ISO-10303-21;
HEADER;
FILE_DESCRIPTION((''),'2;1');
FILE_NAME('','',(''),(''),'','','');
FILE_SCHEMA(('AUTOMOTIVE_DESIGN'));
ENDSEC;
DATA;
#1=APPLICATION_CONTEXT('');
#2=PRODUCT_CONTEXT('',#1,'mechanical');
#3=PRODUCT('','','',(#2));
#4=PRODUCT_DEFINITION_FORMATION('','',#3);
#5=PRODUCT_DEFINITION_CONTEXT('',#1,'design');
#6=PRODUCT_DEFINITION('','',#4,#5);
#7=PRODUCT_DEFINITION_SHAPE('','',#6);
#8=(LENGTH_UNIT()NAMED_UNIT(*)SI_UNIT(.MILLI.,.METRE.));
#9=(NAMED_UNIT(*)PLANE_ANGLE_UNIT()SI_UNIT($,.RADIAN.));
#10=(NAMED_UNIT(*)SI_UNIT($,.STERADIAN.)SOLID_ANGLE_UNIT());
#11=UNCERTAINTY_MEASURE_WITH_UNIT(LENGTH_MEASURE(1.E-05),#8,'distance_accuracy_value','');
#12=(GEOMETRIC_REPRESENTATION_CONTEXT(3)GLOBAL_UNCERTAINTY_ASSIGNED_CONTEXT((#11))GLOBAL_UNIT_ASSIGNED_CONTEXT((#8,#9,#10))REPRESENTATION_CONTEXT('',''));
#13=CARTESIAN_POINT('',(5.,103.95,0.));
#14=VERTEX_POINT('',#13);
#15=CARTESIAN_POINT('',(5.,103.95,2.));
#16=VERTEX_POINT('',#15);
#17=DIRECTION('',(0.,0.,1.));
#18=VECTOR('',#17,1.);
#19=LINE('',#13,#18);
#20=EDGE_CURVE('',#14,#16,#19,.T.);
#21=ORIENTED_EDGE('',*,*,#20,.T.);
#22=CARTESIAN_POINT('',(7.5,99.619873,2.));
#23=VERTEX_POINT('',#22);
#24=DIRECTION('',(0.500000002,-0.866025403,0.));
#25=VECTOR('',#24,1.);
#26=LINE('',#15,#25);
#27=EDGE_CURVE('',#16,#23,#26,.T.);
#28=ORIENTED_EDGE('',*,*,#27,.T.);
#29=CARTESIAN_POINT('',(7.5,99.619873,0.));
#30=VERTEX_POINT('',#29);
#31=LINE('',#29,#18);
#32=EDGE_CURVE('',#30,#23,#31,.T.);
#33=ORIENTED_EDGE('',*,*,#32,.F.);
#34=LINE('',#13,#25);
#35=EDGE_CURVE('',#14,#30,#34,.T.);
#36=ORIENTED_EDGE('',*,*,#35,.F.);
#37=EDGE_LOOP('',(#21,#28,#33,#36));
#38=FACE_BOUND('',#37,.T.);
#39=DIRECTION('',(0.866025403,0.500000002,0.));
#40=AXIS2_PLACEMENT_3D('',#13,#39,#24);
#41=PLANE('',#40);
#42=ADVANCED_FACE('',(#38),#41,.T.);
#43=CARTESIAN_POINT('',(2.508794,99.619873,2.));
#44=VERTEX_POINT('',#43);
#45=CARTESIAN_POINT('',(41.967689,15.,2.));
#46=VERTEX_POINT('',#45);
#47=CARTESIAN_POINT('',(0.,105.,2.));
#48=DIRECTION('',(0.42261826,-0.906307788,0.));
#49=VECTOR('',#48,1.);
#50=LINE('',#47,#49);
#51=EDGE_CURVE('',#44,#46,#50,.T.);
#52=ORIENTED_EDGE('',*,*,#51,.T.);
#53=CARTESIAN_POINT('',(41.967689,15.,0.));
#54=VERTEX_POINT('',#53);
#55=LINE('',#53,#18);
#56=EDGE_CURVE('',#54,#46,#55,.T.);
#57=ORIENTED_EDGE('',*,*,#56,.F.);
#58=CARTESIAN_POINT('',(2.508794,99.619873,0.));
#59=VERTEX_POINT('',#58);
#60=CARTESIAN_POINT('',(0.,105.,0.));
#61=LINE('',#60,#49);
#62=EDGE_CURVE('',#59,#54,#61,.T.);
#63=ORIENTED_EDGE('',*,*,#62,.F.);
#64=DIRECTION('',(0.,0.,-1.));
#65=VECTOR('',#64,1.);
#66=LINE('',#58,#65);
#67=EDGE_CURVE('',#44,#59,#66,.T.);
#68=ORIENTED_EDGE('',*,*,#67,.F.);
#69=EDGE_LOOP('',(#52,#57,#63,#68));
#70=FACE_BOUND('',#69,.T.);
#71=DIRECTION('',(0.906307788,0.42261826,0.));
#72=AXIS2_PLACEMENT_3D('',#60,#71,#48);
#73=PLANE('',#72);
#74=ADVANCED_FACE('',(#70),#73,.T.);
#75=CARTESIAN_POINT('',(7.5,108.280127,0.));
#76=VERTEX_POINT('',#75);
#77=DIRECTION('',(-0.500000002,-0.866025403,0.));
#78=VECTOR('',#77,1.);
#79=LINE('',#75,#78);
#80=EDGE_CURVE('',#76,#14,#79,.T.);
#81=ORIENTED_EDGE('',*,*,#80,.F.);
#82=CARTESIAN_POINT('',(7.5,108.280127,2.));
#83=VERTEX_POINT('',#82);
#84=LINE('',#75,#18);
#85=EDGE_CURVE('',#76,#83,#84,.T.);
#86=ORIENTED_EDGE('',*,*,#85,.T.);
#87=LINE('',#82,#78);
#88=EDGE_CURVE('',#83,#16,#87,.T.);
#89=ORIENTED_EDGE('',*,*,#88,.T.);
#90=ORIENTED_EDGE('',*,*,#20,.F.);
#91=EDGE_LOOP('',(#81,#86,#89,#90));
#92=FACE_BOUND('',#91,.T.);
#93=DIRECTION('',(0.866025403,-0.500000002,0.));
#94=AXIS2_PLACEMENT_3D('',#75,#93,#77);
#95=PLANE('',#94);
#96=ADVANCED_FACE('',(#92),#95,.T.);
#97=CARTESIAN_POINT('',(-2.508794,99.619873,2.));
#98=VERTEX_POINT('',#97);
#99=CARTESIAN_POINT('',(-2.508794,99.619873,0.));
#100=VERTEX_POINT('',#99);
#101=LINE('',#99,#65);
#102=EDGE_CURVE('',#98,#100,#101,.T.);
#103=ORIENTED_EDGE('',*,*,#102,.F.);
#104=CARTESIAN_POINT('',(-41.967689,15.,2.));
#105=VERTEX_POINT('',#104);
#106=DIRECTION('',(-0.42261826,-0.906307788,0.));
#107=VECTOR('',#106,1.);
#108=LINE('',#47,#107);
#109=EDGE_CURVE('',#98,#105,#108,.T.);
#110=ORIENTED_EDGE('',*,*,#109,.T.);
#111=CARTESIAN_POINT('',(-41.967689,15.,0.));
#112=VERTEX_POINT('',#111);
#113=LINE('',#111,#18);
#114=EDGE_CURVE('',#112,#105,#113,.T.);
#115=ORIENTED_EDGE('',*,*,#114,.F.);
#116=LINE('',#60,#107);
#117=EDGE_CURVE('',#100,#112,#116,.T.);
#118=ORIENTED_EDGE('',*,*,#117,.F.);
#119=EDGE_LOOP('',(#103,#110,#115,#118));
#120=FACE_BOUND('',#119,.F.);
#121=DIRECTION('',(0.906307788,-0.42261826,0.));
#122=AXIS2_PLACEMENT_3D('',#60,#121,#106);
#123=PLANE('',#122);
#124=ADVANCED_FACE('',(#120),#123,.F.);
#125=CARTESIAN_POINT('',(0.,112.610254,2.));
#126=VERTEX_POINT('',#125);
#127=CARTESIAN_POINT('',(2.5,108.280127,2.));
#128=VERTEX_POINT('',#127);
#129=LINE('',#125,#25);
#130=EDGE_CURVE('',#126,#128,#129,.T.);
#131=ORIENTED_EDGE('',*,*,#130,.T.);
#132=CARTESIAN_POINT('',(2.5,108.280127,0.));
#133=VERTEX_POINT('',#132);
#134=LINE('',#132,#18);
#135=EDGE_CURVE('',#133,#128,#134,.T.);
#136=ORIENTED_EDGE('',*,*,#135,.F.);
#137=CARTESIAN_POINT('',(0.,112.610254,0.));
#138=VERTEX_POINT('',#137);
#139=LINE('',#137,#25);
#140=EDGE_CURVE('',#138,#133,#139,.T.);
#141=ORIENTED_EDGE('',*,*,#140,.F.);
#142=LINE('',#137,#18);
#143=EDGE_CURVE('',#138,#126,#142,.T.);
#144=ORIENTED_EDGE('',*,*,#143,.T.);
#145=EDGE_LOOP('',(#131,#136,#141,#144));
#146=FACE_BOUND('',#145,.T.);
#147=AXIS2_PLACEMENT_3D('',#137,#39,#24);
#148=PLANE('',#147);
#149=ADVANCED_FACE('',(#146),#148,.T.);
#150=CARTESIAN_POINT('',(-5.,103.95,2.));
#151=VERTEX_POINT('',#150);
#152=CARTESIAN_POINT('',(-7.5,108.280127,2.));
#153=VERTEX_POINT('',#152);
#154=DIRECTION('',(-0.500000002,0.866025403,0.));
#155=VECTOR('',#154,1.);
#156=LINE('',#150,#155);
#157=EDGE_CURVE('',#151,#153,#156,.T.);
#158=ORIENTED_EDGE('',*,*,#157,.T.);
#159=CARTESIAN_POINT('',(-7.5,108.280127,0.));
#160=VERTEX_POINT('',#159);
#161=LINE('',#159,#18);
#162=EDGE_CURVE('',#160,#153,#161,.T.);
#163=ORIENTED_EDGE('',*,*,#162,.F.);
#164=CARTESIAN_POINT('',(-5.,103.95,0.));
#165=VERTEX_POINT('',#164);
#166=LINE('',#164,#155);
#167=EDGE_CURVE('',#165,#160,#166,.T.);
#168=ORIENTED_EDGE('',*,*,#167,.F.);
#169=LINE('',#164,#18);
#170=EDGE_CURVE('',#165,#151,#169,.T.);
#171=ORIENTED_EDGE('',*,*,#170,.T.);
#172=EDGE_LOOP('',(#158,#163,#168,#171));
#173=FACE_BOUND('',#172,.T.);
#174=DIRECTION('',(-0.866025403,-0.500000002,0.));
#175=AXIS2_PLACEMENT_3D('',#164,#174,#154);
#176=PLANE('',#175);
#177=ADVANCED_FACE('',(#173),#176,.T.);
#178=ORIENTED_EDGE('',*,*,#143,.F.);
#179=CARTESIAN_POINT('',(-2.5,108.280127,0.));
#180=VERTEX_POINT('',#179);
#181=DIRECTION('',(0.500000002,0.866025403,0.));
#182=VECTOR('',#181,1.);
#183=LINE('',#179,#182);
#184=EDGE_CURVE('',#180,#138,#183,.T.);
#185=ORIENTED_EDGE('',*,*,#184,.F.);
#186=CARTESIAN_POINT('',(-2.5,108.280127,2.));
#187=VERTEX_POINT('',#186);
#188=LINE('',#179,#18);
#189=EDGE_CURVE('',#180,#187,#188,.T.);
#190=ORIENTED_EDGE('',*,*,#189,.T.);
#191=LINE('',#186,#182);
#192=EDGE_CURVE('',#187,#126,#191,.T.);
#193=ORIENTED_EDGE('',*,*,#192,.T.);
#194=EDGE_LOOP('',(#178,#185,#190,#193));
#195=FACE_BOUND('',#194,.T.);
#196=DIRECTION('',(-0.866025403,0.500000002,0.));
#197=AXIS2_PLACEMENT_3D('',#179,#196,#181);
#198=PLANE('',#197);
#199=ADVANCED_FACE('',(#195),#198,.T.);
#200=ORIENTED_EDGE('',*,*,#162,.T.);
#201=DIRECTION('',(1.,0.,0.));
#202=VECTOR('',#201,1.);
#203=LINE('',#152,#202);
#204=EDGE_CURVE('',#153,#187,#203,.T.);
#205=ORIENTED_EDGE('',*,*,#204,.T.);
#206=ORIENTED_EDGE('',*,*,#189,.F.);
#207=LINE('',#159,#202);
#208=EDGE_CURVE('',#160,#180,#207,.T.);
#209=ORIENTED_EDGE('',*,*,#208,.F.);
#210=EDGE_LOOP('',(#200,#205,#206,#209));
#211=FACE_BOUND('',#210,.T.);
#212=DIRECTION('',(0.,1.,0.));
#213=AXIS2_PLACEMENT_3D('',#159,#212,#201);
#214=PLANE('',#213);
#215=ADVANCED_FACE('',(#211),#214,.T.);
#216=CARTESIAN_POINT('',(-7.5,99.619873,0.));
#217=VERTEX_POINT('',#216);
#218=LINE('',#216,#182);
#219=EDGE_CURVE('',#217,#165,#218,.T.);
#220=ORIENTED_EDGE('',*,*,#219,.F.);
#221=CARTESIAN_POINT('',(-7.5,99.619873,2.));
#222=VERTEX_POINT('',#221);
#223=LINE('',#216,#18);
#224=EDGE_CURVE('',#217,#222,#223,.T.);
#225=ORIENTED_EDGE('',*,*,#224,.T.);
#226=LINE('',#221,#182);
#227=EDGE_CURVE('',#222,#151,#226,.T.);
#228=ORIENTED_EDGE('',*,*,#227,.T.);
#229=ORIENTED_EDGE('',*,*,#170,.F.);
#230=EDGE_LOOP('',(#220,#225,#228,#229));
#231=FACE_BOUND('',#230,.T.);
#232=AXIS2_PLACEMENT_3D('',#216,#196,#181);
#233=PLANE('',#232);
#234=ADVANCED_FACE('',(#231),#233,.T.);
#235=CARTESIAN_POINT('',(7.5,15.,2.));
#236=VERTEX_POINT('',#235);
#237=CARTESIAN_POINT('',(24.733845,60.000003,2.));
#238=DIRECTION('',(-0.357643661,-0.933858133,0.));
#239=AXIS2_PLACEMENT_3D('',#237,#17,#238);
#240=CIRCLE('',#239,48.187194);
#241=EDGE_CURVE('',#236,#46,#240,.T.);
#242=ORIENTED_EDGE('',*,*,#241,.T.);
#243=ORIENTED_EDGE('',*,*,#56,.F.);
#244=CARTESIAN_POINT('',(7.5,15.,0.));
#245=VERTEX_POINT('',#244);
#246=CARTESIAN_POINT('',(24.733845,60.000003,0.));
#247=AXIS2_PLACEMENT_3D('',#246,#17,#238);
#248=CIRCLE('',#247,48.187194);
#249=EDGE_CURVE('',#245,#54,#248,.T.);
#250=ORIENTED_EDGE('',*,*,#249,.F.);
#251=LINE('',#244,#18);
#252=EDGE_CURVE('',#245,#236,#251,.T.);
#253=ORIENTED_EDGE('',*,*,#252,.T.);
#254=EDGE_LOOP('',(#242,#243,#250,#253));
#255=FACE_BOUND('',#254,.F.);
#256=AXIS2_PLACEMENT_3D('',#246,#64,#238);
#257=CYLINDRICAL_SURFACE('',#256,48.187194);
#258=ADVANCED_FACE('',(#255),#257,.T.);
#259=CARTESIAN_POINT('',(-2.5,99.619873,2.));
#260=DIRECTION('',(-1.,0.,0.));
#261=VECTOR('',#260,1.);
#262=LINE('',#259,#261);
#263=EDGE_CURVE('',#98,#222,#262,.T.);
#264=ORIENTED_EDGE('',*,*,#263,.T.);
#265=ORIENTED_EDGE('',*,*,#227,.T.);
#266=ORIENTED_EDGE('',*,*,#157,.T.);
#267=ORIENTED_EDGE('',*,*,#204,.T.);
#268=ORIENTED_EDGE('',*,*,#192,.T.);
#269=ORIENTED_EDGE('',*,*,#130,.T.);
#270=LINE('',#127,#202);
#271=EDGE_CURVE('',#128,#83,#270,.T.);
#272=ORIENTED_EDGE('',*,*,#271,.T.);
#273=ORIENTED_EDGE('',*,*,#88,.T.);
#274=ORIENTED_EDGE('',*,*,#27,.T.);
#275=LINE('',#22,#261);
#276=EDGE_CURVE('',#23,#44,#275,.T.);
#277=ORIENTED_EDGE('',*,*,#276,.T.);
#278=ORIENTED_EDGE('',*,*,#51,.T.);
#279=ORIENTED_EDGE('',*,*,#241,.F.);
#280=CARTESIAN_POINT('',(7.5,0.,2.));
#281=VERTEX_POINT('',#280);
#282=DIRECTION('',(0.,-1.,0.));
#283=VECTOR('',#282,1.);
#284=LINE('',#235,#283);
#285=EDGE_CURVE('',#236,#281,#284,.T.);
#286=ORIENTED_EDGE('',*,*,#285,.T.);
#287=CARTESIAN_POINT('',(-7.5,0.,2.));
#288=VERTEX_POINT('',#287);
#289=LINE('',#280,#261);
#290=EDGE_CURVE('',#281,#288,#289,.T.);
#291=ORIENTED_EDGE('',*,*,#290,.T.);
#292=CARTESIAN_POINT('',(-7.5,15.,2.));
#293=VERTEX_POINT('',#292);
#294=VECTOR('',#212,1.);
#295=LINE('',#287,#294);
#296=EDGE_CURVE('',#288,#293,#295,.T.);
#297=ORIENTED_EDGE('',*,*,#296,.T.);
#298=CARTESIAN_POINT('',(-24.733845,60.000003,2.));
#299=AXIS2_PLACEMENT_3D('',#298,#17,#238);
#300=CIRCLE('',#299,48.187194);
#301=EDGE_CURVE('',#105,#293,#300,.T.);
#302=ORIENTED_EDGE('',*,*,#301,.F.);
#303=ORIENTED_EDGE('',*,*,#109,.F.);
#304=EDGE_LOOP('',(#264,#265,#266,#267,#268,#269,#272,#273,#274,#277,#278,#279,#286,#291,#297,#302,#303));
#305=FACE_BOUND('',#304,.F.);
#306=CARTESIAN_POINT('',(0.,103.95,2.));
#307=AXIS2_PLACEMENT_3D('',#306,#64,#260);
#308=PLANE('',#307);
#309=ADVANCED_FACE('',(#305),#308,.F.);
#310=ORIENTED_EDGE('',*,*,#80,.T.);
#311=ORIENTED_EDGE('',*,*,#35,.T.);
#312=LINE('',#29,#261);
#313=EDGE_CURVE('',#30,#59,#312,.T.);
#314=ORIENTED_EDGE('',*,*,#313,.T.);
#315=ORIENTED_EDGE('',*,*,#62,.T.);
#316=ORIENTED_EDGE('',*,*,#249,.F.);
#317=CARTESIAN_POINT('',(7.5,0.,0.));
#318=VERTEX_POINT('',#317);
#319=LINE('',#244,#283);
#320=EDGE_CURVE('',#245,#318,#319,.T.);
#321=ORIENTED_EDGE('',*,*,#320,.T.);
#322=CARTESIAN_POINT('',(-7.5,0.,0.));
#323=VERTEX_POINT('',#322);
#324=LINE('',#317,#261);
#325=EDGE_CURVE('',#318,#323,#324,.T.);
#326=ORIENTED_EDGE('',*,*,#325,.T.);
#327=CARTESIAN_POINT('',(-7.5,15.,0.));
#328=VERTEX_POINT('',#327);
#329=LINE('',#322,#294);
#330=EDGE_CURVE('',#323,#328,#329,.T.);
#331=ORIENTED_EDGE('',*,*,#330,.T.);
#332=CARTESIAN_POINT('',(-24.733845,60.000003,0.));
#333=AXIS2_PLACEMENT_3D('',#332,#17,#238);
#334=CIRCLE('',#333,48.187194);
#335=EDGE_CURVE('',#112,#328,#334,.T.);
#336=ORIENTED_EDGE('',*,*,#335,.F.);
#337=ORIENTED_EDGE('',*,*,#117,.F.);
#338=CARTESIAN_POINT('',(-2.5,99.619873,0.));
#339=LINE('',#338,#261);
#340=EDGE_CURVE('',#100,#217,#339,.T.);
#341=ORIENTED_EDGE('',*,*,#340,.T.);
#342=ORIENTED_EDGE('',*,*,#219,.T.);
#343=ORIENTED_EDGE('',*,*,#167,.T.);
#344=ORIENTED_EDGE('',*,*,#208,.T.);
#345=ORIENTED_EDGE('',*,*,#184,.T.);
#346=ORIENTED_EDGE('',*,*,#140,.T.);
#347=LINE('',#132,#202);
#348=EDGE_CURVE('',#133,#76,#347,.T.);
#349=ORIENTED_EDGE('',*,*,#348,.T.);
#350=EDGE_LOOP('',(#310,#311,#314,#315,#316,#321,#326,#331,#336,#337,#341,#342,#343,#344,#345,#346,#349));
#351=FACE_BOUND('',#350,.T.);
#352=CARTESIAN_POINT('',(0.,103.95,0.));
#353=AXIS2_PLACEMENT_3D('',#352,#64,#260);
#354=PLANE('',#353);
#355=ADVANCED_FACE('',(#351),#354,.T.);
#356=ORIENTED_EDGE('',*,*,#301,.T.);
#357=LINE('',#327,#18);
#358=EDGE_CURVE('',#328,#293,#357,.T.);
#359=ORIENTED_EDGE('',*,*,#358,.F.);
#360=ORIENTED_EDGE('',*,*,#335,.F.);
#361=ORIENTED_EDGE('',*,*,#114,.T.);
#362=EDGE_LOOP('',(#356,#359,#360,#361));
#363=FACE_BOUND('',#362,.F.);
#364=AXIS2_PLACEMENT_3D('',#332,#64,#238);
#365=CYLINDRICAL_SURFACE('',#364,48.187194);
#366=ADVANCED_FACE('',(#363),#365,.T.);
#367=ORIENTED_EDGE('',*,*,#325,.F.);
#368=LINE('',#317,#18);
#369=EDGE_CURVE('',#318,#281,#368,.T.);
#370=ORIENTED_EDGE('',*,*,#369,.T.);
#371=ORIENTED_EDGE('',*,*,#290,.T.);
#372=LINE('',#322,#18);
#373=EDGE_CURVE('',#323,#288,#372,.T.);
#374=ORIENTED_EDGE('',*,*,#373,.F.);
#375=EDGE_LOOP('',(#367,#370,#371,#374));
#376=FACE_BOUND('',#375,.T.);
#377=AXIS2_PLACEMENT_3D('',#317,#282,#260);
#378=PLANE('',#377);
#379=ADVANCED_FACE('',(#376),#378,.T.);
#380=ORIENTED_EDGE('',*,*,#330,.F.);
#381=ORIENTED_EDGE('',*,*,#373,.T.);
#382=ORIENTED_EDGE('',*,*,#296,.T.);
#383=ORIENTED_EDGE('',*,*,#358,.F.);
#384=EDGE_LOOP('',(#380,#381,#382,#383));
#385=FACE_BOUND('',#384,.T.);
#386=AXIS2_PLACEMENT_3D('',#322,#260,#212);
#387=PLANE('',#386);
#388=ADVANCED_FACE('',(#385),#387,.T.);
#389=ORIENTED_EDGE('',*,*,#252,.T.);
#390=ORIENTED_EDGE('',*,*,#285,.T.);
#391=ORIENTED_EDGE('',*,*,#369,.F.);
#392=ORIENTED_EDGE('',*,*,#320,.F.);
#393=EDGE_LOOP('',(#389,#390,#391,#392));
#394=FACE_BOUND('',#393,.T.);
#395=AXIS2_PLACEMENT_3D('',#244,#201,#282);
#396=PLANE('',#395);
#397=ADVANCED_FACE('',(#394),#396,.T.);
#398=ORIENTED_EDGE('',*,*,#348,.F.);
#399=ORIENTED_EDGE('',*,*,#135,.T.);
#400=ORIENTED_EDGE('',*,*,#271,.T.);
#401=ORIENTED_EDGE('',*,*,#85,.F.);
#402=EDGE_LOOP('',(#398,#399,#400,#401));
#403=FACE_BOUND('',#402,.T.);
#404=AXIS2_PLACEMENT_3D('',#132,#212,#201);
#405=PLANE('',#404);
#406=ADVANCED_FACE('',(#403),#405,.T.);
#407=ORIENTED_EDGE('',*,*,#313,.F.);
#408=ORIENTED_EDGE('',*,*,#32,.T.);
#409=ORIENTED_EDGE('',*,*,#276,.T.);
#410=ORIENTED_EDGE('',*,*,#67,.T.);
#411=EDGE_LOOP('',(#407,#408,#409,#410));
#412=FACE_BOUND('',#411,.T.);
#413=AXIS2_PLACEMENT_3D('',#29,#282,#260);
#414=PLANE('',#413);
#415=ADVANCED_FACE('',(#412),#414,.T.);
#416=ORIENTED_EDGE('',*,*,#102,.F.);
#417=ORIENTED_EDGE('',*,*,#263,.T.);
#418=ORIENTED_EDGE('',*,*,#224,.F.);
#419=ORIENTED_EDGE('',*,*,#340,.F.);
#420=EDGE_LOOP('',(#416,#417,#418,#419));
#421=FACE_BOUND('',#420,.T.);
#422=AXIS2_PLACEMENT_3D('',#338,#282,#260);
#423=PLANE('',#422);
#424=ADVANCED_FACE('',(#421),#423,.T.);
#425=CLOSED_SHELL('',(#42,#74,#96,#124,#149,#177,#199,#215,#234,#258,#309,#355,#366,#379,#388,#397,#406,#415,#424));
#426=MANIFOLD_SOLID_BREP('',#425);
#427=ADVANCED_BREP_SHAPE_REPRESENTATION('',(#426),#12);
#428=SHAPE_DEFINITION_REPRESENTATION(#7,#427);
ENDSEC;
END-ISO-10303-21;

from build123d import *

# Parameters (mm, degrees)
PAD001_DEPTH = 2
PAD_DEPTH    = 2


with BuildPart() as star:
    # Sketch001 → Pad001 (new body)
    with BuildSketch(Plane.XY):
        Polygon((0, 112.610254), (2.5, 108.280127), (7.5, 108.280127), (5, 103.95), (7.5, 99.619873), (2.5, 99.619873), (0, 95.289746), (-2.5, 99.619873), (-7.5, 99.619873), (-5, 103.95), (-7.5, 108.280127), (-2.5, 108.280127), align=None)
    extrude(amount=PAD001_DEPTH)


with BuildPart() as fusion:
    # Sketch → Pad (new body)
    with BuildSketch(Plane.XY):
        with BuildLine():
            Line((7.5, 0), (-7.5, 0))
            Line((-7.5, 0), (-7.5, 15))
            ThreePointArc((-41.967689, 15), (-24.733845, 11.812809), (-7.5, 15))
            Line((0, 105), (-41.967689, 15))
            Line((0, 105), (41.967689, 15))
            ThreePointArc((7.5, 15), (24.733845, 11.812809), (41.967689, 15))
            Line((7.5, 15), (7.5, 0))
        make_face()
    extrude(amount=PAD_DEPTH)

    # Fusion: union Star
    add(star.part)


solid = fusion.part
